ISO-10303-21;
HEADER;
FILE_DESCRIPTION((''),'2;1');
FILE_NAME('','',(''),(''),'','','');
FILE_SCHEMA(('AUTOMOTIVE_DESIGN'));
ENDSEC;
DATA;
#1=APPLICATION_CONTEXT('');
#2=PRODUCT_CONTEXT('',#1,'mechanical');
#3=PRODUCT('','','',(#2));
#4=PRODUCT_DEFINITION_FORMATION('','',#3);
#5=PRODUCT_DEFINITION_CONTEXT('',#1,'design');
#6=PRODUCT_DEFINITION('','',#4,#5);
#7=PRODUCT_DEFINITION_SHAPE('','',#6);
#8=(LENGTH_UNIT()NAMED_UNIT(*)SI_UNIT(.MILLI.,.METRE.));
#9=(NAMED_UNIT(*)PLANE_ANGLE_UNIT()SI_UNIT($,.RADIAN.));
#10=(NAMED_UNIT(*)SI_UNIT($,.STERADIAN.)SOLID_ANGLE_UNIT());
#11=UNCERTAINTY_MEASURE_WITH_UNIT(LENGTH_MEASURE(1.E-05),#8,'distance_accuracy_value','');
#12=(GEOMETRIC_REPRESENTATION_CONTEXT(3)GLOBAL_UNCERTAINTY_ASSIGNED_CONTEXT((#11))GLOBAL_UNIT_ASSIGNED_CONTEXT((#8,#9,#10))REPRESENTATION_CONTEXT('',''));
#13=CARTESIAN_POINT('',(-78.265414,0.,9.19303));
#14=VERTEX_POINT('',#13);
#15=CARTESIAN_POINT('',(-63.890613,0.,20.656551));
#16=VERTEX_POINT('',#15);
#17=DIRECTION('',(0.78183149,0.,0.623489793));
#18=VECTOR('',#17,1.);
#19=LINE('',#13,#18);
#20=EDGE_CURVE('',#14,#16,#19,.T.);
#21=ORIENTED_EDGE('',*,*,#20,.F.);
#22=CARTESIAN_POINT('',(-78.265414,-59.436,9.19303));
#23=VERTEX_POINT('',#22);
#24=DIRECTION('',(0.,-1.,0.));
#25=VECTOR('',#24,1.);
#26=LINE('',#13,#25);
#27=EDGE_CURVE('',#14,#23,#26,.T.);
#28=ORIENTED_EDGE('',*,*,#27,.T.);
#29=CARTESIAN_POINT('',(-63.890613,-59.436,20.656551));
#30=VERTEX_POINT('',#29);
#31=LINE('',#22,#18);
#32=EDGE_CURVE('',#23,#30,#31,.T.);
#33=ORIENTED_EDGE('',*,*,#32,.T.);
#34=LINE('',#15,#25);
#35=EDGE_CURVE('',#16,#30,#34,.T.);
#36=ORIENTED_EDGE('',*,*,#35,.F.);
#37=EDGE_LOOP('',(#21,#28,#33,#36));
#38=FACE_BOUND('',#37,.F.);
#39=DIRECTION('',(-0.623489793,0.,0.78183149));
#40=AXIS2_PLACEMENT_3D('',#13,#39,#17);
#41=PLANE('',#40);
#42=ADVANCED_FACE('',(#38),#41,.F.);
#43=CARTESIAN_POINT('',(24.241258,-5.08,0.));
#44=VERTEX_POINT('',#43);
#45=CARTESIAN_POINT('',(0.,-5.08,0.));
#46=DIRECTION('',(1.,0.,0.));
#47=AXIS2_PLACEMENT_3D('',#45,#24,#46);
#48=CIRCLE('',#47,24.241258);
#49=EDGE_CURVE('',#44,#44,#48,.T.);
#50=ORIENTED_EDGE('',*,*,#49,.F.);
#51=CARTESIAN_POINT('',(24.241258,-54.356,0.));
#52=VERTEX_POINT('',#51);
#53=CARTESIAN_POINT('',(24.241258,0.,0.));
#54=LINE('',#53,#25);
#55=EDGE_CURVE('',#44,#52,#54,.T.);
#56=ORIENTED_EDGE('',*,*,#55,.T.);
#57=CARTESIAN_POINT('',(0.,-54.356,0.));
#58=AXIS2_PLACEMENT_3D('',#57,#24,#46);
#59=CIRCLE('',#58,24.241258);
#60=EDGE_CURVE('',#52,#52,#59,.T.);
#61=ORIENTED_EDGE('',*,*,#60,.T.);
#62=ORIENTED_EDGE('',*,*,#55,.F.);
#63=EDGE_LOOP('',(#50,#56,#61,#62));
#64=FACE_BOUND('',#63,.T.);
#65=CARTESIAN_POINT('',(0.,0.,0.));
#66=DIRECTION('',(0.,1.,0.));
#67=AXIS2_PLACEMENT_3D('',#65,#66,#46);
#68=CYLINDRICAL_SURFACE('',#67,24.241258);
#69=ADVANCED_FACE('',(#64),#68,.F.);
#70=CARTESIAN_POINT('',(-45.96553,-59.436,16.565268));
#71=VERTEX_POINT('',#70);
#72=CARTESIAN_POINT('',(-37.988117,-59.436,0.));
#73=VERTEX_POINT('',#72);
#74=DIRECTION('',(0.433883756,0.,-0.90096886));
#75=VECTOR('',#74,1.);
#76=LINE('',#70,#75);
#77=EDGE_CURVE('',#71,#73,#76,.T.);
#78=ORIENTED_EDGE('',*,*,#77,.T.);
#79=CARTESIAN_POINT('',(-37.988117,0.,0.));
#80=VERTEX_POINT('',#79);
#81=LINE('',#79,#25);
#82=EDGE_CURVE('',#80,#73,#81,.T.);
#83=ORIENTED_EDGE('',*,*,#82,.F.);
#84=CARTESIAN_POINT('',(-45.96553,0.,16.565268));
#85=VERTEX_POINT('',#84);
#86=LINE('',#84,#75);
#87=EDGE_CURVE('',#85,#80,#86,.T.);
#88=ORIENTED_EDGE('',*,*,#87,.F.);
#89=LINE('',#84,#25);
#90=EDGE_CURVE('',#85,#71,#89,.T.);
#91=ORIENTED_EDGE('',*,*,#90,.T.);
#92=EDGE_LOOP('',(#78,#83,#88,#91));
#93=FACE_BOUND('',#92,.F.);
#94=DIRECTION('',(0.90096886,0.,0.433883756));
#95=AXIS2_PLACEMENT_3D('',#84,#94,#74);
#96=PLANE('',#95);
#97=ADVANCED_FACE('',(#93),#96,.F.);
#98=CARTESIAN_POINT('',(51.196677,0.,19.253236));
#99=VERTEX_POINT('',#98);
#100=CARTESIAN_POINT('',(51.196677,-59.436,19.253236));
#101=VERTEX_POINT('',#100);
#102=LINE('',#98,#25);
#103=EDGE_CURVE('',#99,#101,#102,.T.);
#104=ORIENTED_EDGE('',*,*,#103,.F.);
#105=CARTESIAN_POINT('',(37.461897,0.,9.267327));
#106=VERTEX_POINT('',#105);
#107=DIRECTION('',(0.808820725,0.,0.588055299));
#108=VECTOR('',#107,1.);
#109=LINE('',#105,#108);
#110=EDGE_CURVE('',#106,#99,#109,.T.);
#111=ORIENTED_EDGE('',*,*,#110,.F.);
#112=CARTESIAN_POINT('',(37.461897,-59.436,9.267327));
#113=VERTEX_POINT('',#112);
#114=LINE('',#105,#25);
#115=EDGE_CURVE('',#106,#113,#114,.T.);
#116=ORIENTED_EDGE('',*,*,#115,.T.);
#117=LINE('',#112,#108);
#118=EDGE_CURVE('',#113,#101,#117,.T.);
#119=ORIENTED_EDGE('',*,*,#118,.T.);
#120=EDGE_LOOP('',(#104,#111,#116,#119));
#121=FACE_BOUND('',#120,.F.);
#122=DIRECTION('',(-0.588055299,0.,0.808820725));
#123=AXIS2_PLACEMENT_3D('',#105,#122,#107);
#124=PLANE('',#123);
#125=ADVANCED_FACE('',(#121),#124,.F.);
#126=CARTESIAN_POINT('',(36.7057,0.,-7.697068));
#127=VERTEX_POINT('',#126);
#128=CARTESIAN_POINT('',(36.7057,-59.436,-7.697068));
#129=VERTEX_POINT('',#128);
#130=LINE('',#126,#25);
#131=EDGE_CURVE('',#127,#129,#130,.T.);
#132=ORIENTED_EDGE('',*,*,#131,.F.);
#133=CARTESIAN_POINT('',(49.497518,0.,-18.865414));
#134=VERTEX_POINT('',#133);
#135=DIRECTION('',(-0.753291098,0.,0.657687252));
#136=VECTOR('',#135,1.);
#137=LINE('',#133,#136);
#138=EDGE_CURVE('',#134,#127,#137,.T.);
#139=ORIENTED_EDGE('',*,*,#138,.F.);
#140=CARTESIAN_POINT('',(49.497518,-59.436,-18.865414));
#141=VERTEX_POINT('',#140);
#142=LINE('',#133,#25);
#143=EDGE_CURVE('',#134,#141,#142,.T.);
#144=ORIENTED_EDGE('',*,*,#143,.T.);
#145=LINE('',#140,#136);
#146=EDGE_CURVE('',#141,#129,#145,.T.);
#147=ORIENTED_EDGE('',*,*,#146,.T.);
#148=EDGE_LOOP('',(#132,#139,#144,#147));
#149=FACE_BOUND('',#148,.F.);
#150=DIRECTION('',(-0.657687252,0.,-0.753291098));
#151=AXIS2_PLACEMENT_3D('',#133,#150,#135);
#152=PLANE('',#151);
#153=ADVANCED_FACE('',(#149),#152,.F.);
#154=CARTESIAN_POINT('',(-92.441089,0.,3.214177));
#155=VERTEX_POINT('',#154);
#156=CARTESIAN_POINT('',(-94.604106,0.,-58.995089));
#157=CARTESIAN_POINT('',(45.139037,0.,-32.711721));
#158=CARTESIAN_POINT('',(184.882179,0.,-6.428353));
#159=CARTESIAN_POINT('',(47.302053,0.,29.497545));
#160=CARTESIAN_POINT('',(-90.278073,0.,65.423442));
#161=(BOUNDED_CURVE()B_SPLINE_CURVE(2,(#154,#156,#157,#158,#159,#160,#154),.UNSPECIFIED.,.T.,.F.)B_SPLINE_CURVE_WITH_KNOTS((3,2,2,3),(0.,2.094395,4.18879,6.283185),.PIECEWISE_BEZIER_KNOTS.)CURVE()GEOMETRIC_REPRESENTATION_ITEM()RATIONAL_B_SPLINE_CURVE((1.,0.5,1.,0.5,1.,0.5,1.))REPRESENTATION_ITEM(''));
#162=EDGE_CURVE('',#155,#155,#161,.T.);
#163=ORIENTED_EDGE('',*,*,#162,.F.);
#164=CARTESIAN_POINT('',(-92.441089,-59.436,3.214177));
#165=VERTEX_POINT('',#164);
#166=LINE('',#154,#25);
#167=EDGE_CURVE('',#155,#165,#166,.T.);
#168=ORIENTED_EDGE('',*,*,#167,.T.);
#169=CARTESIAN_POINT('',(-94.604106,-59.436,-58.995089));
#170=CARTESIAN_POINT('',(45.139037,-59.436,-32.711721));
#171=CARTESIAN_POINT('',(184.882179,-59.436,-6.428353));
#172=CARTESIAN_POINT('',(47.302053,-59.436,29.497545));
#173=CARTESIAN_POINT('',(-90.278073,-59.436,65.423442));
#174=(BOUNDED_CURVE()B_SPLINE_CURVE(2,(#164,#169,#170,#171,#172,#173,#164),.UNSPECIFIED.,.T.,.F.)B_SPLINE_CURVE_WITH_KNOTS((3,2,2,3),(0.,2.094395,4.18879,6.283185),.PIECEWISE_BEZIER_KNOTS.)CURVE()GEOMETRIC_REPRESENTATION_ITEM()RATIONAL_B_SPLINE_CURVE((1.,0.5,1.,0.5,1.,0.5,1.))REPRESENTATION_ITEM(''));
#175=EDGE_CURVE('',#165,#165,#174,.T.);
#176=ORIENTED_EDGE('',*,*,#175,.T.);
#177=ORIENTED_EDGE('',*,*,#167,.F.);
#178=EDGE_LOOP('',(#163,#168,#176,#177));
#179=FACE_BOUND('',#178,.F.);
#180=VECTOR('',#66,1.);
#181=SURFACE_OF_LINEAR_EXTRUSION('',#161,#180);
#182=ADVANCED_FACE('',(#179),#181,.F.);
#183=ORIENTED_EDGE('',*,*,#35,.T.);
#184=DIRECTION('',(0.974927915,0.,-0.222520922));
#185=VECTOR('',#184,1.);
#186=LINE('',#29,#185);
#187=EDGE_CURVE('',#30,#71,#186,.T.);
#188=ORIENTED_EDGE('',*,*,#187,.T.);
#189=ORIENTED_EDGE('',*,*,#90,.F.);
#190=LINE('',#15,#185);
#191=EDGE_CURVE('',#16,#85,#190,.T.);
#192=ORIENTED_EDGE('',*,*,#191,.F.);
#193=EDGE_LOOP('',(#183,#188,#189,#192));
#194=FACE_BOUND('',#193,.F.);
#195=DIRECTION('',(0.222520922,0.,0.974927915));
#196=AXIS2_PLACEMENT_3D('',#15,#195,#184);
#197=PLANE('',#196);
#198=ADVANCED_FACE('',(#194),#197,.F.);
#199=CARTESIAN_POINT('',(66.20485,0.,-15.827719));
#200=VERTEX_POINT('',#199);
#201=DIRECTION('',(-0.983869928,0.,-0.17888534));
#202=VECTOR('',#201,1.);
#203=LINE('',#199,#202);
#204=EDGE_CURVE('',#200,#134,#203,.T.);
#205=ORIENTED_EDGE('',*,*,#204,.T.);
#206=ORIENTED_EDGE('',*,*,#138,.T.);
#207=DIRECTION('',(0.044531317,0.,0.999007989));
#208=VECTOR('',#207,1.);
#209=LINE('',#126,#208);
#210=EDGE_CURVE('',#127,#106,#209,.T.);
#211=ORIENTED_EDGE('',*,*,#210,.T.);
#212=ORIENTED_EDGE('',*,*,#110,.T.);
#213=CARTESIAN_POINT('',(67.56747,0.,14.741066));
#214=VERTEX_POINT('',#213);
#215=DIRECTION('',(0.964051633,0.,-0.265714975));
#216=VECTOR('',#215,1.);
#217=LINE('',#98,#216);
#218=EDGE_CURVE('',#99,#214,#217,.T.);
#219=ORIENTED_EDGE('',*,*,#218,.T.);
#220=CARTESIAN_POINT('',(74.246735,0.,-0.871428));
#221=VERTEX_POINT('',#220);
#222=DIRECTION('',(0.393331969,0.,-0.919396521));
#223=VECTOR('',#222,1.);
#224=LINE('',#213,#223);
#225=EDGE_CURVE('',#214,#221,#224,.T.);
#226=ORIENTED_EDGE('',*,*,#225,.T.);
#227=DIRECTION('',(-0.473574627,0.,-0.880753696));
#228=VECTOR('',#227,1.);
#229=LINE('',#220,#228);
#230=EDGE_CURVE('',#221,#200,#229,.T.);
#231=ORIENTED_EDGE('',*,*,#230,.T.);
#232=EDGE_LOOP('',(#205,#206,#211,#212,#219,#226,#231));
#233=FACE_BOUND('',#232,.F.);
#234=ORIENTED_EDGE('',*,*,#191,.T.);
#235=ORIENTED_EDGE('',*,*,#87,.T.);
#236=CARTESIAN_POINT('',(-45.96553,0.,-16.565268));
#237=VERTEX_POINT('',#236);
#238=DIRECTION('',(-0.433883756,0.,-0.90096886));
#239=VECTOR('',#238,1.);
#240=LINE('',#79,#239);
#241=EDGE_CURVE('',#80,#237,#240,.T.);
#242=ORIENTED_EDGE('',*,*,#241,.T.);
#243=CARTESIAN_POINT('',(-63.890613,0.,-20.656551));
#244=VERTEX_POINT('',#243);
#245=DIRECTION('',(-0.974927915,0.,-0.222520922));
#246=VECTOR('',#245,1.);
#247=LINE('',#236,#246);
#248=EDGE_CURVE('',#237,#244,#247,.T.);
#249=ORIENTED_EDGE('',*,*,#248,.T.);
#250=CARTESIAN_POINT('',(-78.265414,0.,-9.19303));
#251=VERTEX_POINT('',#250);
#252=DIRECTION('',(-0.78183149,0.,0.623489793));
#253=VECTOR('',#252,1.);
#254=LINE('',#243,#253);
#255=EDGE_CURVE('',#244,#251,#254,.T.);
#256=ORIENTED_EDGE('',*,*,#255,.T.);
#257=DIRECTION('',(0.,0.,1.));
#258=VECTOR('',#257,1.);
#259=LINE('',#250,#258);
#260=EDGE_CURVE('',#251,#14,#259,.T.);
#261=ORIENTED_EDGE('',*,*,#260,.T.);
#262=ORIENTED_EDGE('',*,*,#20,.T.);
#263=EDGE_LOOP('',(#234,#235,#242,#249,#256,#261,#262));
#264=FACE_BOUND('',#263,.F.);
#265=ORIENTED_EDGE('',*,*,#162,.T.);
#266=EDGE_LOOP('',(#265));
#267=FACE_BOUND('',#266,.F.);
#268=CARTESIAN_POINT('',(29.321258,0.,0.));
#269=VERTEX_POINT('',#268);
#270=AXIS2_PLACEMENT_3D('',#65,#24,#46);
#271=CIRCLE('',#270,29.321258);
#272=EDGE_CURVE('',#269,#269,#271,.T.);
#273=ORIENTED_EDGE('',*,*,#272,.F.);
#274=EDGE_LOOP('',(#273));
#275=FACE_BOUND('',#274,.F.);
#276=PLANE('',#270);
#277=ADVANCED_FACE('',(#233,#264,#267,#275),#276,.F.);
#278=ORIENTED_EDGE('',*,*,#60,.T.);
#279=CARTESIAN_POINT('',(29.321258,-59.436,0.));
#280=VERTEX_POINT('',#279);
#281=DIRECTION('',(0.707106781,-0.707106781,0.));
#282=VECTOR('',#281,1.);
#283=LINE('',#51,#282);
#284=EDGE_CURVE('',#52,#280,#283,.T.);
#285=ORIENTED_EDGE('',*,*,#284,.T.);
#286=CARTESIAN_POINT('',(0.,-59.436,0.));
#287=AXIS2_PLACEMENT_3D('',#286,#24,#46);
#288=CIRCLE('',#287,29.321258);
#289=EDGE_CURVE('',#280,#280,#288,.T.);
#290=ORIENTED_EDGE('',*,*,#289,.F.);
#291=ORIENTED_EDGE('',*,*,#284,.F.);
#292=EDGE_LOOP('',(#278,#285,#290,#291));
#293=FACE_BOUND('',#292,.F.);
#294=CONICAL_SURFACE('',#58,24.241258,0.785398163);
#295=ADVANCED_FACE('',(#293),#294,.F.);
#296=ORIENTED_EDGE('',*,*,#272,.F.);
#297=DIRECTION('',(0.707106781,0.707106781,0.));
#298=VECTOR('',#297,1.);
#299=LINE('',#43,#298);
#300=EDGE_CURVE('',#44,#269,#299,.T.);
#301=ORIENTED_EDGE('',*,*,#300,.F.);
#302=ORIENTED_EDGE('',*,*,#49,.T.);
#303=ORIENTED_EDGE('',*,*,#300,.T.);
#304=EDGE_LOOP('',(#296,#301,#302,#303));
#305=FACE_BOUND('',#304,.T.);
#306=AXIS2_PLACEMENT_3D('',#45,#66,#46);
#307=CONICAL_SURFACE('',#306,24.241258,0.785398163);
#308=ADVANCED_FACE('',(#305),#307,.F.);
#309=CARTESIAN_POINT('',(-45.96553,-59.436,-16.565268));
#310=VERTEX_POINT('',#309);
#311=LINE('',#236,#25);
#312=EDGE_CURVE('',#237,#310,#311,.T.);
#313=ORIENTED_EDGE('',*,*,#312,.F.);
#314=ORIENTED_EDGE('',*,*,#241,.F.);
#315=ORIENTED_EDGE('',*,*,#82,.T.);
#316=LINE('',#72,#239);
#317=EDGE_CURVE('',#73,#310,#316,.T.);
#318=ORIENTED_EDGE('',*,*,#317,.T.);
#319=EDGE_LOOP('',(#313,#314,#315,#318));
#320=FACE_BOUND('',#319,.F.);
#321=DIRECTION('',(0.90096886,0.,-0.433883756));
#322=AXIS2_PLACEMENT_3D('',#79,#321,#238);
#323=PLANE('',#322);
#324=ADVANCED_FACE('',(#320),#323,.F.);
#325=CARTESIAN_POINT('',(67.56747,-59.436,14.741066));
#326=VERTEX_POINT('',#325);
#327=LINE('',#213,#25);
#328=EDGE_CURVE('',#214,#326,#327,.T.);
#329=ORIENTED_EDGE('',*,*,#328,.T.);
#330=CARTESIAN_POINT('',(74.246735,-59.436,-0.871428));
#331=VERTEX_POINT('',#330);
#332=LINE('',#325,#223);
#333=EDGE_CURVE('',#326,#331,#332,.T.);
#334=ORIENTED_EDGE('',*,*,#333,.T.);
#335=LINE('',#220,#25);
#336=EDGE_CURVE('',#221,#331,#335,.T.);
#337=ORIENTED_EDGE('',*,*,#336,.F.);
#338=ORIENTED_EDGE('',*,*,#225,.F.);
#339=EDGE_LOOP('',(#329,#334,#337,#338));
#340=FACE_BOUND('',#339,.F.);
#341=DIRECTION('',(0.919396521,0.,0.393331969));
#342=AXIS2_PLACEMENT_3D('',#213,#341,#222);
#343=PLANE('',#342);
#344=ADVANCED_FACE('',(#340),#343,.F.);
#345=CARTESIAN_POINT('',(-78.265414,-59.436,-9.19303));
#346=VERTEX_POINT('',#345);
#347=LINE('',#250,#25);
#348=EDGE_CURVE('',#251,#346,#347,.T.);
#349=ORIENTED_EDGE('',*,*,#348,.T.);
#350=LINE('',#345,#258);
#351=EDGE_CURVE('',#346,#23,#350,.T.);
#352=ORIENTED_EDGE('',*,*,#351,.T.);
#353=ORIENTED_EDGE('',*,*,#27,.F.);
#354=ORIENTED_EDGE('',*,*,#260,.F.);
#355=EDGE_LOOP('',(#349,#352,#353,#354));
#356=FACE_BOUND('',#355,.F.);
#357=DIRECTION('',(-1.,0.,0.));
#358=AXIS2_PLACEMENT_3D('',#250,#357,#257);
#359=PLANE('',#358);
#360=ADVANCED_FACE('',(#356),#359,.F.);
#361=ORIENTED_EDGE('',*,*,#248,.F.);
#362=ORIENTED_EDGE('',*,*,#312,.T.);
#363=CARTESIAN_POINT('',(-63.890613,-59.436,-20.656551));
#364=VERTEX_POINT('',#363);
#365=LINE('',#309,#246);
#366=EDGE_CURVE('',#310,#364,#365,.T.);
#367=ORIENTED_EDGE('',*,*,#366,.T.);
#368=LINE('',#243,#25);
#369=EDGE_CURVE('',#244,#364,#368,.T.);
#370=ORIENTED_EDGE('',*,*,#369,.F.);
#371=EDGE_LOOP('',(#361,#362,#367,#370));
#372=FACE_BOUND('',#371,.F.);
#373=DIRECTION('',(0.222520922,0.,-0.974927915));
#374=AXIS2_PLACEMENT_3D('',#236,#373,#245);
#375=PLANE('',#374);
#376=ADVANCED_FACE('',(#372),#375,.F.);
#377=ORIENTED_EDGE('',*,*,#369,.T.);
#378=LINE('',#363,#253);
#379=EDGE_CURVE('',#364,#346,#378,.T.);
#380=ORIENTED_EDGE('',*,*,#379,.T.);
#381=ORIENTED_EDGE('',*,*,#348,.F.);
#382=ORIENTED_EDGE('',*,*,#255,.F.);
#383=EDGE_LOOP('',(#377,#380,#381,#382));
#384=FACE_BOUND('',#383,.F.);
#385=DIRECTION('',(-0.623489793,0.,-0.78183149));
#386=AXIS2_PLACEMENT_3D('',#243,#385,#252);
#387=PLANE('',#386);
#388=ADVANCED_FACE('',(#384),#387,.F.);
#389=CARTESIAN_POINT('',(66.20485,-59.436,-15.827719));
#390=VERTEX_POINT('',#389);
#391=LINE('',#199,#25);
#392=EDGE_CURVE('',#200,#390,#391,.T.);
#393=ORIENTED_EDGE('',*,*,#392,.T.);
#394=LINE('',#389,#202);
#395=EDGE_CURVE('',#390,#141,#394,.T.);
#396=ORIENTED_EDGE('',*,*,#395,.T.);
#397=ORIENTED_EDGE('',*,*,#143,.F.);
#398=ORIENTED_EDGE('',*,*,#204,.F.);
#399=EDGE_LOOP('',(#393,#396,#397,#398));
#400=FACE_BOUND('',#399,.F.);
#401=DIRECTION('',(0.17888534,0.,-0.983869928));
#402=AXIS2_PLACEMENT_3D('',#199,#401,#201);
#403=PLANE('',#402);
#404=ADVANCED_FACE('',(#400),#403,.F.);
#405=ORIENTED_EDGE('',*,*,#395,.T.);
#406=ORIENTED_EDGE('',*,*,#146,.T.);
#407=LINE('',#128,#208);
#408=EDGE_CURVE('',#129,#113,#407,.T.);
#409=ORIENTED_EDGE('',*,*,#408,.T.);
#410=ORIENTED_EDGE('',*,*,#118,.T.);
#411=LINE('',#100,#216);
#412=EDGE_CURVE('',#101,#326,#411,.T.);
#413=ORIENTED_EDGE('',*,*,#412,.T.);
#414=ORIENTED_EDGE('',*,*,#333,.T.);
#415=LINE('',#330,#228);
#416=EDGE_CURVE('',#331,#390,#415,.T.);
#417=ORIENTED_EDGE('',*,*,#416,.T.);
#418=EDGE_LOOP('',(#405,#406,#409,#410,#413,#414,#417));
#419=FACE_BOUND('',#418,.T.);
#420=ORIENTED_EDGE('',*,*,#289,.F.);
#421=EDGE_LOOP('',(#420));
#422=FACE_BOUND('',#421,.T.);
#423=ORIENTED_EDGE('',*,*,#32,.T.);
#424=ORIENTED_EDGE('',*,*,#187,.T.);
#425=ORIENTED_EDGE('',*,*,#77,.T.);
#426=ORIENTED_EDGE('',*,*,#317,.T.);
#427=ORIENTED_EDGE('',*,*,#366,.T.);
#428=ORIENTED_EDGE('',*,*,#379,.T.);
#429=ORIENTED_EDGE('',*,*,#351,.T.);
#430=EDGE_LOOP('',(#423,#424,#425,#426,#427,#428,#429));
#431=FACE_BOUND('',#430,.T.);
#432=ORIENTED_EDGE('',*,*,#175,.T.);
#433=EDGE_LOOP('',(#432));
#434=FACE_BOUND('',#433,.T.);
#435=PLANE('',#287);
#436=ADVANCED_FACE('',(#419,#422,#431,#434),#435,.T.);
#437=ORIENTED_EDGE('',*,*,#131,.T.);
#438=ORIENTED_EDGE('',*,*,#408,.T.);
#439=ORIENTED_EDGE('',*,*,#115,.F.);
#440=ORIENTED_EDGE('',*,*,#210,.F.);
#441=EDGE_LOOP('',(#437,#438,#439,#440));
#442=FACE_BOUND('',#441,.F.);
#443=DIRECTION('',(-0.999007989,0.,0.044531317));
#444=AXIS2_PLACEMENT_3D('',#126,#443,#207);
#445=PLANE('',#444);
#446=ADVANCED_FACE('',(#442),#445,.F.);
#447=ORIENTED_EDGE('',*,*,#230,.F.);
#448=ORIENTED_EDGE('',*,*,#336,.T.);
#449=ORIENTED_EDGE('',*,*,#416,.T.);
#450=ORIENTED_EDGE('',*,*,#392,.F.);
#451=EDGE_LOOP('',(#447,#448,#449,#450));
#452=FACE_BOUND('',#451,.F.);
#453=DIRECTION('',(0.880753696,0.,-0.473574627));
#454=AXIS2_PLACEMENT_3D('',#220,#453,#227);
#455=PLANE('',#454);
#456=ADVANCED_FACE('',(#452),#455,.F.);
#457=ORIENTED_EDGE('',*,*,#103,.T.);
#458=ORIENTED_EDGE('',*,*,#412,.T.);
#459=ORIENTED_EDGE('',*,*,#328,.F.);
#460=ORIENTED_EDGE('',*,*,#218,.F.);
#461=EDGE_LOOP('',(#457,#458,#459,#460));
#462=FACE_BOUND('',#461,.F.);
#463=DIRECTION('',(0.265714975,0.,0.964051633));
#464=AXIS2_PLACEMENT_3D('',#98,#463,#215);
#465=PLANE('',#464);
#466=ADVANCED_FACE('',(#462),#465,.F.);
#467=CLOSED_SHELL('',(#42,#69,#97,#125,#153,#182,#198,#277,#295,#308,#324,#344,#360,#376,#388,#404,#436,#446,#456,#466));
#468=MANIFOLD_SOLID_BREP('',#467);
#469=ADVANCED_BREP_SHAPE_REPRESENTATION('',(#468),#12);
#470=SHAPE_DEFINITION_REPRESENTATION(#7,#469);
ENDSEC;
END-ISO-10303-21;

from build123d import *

# Parameters (mm, degrees)
F0_R     = 24.241258
F1_DEPTH = 59.436
F2_SIZE  = 5.08


with BuildPart() as f1:
    # F0 (on Front) → F1 (new body)
    with BuildSketch(Plane.XZ):
        with BuildLine():
            add(Edge.make_bspline(
                [(-92.441089, 3.214177), (-94.604106, -58.995089), (45.139037, -32.711721), (184.882179, -6.428353), (47.302053, 29.497545), (-90.278073, 65.423442), (-92.441089, 3.214177)],
                knots=[0, 0, 0, 2.094395, 2.094395, 4.18879, 4.18879, 6.283185, 6.283185, 6.283185], degree=2, weights=[1, 0.5, 1, 0.5, 1, 0.5, 1]))
        make_face()
        Polygon((-63.890613, -20.656551), (-78.265414, -9.19303), (-78.265414, 9.19303), (-63.890613, 20.656551), (-45.96553, 16.565268), (-37.988117, 0), (-45.96553, -16.565268), align=None, mode=Mode.SUBTRACT)
        Circle(F0_R, mode=Mode.SUBTRACT)
        Polygon((74.246735, -0.871428), (66.20485, -15.827719), (49.497518, -18.865414), (36.7057, -7.697068), (37.461897, 9.267327), (51.196677, 19.253236), (67.56747, 14.741066), align=None, mode=Mode.SUBTRACT)
    extrude(amount=F1_DEPTH)

    # F2
    f2_edges = [f1.edges().sort_by_distance(p)[0] for p in [
        (-24.241258, -59.436, 0),
        (-24.241258, 0, 0),
    ]]
    chamfer(f2_edges, length=F2_SIZE)


solid = f1.part
